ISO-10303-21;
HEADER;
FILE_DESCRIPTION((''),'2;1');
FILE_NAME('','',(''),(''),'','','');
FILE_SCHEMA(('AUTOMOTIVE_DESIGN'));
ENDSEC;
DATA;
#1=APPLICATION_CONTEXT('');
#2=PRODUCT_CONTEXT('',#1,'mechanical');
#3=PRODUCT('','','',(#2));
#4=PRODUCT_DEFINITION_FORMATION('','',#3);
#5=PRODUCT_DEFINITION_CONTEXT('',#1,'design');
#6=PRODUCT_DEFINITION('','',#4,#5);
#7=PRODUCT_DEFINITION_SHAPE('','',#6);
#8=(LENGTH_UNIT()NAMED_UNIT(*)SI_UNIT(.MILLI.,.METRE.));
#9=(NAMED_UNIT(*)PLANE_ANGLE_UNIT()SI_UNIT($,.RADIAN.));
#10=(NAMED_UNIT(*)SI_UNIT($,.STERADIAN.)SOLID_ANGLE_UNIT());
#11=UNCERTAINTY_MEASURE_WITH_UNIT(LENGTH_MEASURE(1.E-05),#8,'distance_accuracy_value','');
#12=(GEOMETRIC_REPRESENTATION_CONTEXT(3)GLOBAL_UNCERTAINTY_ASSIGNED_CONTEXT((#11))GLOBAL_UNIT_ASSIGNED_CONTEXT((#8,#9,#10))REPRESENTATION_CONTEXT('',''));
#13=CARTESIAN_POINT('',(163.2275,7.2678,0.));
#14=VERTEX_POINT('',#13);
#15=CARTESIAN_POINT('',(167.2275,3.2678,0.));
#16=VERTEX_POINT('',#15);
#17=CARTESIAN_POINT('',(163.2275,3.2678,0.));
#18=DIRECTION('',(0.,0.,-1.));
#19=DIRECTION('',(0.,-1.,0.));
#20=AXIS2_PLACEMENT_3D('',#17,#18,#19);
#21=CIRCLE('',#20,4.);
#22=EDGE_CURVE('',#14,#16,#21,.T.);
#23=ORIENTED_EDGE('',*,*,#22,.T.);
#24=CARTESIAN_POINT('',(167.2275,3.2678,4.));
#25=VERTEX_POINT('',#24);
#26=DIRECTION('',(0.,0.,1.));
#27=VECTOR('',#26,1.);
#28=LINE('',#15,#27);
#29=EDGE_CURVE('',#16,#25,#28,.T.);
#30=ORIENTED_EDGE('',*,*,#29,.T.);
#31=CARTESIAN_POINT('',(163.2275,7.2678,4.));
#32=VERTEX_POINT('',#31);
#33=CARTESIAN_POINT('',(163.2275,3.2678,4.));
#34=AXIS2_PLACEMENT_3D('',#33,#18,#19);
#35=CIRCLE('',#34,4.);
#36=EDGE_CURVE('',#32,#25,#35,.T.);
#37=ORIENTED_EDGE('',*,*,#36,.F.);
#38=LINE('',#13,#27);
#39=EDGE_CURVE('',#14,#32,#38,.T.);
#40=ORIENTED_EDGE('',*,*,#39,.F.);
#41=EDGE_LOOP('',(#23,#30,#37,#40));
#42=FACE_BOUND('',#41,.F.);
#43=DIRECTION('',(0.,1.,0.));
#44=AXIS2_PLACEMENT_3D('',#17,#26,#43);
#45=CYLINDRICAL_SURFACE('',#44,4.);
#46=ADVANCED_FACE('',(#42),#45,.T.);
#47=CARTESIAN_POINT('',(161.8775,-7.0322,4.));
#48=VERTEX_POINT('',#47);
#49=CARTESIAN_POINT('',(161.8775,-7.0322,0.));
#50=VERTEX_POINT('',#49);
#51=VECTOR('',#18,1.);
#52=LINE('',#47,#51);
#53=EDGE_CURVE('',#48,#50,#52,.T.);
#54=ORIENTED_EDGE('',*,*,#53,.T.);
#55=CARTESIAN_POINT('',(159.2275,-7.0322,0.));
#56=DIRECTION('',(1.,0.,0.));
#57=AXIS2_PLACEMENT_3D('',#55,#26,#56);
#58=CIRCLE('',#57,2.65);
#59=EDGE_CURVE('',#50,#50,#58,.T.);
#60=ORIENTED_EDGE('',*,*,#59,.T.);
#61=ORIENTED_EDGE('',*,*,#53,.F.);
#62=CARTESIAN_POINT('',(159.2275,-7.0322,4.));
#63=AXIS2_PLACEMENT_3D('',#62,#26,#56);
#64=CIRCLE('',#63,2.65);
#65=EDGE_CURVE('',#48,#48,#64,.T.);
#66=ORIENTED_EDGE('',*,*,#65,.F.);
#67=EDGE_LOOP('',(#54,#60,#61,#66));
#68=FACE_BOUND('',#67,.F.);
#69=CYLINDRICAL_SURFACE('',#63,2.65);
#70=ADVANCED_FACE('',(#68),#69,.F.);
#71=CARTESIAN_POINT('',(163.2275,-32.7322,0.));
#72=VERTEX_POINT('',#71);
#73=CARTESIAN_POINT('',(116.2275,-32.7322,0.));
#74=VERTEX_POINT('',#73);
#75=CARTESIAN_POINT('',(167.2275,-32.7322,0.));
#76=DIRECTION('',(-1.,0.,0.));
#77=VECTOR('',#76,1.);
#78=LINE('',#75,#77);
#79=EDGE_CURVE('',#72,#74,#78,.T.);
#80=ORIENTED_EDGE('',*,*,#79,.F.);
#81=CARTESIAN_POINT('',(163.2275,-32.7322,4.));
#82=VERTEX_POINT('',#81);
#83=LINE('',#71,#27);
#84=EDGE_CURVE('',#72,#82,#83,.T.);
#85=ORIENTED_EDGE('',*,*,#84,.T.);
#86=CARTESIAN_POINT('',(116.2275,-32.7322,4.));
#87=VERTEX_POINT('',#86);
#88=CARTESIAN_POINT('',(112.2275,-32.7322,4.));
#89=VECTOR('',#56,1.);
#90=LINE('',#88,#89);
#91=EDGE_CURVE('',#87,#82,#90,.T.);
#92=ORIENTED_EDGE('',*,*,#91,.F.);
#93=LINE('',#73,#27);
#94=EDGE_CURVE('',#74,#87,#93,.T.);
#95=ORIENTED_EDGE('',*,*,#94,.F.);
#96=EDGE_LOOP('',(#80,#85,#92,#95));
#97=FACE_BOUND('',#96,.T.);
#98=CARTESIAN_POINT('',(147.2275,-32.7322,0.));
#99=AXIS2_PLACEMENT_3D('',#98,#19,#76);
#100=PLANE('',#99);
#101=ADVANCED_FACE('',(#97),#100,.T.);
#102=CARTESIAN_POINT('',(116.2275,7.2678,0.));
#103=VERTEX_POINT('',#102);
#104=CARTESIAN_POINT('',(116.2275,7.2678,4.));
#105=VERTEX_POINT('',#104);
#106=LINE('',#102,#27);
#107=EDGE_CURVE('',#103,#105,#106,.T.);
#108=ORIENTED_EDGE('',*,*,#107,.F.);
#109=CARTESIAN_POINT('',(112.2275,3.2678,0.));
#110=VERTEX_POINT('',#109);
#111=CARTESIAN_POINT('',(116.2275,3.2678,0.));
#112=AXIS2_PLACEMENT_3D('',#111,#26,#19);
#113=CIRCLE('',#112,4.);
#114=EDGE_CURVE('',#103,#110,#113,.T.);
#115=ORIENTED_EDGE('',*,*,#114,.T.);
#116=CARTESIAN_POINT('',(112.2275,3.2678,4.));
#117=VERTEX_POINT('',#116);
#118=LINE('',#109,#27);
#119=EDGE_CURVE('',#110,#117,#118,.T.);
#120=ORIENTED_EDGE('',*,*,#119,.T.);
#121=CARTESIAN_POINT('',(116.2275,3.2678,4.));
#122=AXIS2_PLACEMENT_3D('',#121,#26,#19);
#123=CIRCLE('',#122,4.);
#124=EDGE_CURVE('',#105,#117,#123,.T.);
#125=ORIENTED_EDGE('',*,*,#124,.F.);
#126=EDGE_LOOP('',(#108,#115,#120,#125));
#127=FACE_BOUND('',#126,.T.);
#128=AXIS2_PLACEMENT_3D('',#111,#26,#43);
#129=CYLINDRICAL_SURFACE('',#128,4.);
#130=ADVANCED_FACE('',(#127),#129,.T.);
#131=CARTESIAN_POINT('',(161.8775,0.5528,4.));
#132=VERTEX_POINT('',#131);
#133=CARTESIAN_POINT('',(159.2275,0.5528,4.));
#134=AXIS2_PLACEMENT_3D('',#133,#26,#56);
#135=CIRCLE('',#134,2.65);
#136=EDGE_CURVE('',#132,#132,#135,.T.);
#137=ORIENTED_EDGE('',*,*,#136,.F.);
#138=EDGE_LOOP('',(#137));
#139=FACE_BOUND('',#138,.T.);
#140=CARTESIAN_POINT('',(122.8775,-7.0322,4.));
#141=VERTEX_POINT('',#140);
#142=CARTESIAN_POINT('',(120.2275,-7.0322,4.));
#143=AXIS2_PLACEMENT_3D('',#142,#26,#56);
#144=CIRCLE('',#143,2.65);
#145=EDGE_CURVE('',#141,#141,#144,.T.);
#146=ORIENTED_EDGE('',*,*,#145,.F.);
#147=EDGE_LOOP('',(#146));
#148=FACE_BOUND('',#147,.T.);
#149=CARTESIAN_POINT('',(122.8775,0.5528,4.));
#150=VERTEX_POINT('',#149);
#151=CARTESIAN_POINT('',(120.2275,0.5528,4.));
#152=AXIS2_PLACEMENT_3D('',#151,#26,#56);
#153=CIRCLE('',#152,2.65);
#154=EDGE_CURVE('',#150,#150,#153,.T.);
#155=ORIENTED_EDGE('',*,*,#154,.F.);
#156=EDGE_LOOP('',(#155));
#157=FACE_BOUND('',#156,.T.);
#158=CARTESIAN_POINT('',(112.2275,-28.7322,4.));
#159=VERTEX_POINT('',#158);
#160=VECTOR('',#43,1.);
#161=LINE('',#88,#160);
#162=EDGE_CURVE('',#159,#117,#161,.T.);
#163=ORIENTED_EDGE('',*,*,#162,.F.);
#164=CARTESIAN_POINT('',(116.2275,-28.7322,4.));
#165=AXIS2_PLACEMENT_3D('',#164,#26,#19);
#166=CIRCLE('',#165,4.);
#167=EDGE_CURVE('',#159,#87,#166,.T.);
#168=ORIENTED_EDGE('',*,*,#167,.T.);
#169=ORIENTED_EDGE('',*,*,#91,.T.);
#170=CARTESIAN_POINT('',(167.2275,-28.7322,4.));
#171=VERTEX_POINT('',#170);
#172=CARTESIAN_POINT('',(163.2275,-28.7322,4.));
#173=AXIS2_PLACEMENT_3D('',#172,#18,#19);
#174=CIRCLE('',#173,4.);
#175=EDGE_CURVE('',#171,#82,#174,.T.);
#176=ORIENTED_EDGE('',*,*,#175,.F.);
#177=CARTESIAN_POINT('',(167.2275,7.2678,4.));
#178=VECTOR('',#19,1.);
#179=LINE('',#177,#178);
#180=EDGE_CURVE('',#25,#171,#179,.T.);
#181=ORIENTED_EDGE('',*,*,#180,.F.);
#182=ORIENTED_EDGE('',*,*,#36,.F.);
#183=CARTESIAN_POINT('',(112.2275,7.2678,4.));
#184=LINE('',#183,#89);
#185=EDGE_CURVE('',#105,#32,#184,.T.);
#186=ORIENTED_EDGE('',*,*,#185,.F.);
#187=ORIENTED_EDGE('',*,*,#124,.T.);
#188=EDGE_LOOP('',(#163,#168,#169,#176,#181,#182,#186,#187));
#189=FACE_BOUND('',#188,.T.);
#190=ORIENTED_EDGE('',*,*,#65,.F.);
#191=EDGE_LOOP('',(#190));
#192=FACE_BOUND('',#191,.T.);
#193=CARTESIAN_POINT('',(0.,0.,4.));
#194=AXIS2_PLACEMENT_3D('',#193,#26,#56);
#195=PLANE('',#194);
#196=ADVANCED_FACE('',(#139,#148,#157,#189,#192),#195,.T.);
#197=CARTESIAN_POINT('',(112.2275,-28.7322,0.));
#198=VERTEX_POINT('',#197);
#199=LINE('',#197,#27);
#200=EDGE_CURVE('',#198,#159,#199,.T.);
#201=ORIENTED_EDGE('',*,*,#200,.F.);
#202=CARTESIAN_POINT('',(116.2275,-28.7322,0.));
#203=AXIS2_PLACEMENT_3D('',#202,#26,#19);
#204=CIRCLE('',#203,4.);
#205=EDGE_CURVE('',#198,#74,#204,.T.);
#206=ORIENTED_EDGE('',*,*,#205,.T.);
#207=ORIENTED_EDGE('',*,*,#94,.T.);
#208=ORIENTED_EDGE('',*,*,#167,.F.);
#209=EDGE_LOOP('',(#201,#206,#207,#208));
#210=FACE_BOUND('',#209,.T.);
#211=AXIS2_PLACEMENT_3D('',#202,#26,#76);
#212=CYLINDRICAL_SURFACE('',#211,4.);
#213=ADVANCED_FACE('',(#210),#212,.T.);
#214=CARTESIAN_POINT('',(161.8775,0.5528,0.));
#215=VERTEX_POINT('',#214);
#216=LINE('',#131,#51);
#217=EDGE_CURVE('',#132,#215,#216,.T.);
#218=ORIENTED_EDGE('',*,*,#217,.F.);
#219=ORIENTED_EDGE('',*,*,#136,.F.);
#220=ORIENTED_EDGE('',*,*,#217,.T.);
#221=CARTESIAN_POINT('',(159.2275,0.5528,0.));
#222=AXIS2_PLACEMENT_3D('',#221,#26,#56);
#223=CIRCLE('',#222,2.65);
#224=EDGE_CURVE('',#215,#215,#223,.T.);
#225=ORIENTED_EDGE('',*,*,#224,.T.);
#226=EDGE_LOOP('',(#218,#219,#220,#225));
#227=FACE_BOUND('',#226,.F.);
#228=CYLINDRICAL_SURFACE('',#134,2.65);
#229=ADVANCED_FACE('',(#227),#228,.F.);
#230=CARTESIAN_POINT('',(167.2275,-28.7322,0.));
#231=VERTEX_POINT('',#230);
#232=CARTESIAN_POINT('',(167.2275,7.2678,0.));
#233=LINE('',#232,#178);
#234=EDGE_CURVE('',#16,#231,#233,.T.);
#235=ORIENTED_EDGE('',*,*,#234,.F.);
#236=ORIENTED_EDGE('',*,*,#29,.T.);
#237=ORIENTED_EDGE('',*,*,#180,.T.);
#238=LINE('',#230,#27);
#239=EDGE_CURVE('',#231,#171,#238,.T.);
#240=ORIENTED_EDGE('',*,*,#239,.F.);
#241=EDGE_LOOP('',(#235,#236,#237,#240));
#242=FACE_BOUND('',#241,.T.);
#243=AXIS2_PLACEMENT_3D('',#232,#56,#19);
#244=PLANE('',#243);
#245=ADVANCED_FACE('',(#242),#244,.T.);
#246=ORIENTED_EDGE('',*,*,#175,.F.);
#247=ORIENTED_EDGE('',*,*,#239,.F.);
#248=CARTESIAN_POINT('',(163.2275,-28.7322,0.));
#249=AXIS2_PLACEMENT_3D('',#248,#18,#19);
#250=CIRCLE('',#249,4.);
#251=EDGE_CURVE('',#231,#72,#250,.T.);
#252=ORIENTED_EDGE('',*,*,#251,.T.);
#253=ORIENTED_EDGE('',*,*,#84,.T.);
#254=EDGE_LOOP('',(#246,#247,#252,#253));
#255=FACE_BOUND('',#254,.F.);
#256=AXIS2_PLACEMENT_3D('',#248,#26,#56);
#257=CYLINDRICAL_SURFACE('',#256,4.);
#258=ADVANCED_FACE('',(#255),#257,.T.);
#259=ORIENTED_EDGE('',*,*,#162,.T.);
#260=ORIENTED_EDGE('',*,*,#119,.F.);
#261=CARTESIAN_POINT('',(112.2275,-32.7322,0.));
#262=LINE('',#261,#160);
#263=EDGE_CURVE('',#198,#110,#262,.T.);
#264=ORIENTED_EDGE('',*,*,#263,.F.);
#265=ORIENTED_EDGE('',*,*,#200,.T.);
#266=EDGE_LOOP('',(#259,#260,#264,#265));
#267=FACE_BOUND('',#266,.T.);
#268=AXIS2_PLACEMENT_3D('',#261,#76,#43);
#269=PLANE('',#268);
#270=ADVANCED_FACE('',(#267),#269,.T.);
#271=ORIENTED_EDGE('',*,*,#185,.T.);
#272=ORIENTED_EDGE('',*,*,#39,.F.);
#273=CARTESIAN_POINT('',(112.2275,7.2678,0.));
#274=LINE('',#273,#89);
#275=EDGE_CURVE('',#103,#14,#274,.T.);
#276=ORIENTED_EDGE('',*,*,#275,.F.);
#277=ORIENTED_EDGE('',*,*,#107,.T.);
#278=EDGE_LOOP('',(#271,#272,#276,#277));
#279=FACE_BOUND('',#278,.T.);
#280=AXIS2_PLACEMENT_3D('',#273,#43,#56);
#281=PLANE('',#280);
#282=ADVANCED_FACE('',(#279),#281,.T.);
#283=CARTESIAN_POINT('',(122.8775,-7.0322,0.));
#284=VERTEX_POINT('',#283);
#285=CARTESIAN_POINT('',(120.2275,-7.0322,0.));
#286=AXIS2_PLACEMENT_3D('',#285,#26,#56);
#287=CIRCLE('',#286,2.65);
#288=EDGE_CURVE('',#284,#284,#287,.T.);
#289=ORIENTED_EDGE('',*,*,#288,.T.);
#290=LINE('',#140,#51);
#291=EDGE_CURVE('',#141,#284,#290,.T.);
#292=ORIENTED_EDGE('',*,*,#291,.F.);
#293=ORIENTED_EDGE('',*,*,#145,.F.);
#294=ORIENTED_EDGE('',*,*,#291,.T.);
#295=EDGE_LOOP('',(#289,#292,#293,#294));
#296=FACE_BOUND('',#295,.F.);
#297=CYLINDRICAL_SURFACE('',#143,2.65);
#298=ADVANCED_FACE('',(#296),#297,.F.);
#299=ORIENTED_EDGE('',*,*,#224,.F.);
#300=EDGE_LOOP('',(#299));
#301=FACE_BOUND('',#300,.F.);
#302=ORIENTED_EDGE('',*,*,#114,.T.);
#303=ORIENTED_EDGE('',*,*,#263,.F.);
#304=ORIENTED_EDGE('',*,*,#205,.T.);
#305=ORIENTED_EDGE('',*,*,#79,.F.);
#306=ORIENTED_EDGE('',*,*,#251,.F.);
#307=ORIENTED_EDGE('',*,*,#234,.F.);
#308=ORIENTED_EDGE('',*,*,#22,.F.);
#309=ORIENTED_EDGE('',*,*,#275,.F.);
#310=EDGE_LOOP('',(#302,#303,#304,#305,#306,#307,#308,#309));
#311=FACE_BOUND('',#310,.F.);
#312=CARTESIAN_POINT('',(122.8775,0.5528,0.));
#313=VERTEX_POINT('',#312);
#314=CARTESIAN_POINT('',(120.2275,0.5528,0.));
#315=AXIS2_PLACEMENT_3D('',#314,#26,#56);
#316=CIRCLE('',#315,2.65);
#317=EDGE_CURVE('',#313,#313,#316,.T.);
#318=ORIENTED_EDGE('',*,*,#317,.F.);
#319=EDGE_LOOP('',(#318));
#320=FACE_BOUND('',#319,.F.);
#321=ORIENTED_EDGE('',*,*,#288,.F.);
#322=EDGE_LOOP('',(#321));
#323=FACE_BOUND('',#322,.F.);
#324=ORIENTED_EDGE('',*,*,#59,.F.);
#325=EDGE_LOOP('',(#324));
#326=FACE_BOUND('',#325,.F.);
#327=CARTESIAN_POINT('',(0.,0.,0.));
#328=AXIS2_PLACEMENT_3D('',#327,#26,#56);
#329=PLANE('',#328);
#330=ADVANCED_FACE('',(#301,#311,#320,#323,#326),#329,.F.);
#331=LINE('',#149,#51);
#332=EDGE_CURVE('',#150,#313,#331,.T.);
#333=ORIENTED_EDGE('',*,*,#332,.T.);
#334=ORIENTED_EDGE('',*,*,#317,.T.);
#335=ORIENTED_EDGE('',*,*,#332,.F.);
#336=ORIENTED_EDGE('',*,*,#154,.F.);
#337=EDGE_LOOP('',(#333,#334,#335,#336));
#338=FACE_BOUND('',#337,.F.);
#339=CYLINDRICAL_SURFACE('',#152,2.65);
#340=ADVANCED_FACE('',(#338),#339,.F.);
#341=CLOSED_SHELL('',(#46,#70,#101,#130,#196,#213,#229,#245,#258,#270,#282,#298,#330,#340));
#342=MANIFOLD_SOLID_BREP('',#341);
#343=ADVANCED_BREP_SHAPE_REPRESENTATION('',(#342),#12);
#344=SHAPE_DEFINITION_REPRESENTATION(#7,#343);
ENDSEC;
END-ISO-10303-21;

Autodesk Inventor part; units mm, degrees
ref_plane "YZ Plane" through (0, 0, 0) normal (1, 0, 0) x (0, 1, 0)
ref_plane "XZ Plane" through (0, 0, 0) normal (0, 1, 0) x (-1, 0, 0)
ref_plane "XY Plane" through (0, 0, 0) normal (0, 0, 1) x (1, 0, 0)
sketch "Эскиз1" plane through (0, 0, 0) normal (0, 0, 1) x (1, 0, 0)
  line L0 (112.2275, 7.2678) -> (167.2275, 7.2678)
  line L1 (167.2275, 7.2678) -> (167.2275, -32.7322)
  line L2 (167.2275, -32.7322) -> (112.2275, -32.7322)
  line L3 (112.2275, -32.7322) -> (112.2275, 7.2678)
  line L4 (112.2275, 7.2678) -> (167.2275, -32.7322) construction
  line L5 (167.2275, 7.2678) -> (112.2275, -32.7322) construction
  line L6 (147.2275, -32.7322) -> (167.2275, -32.7322)
  point P0 (139.7275, -12.7322)
  point P1 (139.7275, -32.7322)
  dimension "d55" = 40
  dimension "d67" = 55
extrude "Выдавливание1" add sketch "Эскиз1" along normal blind 4
sketch "Эскиз6" plane through (0, 0, 4) normal (0, 0, 1) x (1, 0, 0)
  line L0 (112.2275, -32.7322) -> (167.2275, -32.7322) construction
  line L1 (167.2275, 7.2678) -> (112.2275, 7.2678) construction
  line L2 (112.2275, 7.2678) -> (112.2275, -32.7322) construction
  circle A0 centre (120.2275, 0.5528) radius 2.65
  line L3 (167.2275, -32.7322) -> (167.2275, 7.2678) projected
  line L4 (112.2275, -32.7322) -> (167.2275, -32.7322) projected
  line L5 (139.7275, -32.7322) -> (139.7275, 7.2678) construction
  circle A1 centre (159.2275, 0.5528) radius 2.65
  line L6 (167.2275, 7.2678) -> (112.2275, 7.2678) projected
  line L7 (112.2275, 7.2678) -> (112.2275, -32.7322) projected
  circle A2 centre (120.2275, -7.0322) radius 2.65
  circle A3 centre (159.2275, -7.0322) radius 2.65
  point P0 (0, 0)
  dimension "d76" = 8
  dimension "d77" = 5.3
  dimension "d78" = 6.715
  dimension "d79" = 5.3
  dimension "d80" = 14.3
extrude "Выдавливание5" cut sketch "Эскиз6" against normal blind 4 contours A0 | A1 | A2 | A3
fillet "Сопряжение5" radius 4 4 edges at (112.2275, -32.7322, 2) (112.2275, 7.2678, 2) (167.2275, 7.2678, 2) (167.2275, -32.7322, 2)
properties part number "креп_центр_рейки"
